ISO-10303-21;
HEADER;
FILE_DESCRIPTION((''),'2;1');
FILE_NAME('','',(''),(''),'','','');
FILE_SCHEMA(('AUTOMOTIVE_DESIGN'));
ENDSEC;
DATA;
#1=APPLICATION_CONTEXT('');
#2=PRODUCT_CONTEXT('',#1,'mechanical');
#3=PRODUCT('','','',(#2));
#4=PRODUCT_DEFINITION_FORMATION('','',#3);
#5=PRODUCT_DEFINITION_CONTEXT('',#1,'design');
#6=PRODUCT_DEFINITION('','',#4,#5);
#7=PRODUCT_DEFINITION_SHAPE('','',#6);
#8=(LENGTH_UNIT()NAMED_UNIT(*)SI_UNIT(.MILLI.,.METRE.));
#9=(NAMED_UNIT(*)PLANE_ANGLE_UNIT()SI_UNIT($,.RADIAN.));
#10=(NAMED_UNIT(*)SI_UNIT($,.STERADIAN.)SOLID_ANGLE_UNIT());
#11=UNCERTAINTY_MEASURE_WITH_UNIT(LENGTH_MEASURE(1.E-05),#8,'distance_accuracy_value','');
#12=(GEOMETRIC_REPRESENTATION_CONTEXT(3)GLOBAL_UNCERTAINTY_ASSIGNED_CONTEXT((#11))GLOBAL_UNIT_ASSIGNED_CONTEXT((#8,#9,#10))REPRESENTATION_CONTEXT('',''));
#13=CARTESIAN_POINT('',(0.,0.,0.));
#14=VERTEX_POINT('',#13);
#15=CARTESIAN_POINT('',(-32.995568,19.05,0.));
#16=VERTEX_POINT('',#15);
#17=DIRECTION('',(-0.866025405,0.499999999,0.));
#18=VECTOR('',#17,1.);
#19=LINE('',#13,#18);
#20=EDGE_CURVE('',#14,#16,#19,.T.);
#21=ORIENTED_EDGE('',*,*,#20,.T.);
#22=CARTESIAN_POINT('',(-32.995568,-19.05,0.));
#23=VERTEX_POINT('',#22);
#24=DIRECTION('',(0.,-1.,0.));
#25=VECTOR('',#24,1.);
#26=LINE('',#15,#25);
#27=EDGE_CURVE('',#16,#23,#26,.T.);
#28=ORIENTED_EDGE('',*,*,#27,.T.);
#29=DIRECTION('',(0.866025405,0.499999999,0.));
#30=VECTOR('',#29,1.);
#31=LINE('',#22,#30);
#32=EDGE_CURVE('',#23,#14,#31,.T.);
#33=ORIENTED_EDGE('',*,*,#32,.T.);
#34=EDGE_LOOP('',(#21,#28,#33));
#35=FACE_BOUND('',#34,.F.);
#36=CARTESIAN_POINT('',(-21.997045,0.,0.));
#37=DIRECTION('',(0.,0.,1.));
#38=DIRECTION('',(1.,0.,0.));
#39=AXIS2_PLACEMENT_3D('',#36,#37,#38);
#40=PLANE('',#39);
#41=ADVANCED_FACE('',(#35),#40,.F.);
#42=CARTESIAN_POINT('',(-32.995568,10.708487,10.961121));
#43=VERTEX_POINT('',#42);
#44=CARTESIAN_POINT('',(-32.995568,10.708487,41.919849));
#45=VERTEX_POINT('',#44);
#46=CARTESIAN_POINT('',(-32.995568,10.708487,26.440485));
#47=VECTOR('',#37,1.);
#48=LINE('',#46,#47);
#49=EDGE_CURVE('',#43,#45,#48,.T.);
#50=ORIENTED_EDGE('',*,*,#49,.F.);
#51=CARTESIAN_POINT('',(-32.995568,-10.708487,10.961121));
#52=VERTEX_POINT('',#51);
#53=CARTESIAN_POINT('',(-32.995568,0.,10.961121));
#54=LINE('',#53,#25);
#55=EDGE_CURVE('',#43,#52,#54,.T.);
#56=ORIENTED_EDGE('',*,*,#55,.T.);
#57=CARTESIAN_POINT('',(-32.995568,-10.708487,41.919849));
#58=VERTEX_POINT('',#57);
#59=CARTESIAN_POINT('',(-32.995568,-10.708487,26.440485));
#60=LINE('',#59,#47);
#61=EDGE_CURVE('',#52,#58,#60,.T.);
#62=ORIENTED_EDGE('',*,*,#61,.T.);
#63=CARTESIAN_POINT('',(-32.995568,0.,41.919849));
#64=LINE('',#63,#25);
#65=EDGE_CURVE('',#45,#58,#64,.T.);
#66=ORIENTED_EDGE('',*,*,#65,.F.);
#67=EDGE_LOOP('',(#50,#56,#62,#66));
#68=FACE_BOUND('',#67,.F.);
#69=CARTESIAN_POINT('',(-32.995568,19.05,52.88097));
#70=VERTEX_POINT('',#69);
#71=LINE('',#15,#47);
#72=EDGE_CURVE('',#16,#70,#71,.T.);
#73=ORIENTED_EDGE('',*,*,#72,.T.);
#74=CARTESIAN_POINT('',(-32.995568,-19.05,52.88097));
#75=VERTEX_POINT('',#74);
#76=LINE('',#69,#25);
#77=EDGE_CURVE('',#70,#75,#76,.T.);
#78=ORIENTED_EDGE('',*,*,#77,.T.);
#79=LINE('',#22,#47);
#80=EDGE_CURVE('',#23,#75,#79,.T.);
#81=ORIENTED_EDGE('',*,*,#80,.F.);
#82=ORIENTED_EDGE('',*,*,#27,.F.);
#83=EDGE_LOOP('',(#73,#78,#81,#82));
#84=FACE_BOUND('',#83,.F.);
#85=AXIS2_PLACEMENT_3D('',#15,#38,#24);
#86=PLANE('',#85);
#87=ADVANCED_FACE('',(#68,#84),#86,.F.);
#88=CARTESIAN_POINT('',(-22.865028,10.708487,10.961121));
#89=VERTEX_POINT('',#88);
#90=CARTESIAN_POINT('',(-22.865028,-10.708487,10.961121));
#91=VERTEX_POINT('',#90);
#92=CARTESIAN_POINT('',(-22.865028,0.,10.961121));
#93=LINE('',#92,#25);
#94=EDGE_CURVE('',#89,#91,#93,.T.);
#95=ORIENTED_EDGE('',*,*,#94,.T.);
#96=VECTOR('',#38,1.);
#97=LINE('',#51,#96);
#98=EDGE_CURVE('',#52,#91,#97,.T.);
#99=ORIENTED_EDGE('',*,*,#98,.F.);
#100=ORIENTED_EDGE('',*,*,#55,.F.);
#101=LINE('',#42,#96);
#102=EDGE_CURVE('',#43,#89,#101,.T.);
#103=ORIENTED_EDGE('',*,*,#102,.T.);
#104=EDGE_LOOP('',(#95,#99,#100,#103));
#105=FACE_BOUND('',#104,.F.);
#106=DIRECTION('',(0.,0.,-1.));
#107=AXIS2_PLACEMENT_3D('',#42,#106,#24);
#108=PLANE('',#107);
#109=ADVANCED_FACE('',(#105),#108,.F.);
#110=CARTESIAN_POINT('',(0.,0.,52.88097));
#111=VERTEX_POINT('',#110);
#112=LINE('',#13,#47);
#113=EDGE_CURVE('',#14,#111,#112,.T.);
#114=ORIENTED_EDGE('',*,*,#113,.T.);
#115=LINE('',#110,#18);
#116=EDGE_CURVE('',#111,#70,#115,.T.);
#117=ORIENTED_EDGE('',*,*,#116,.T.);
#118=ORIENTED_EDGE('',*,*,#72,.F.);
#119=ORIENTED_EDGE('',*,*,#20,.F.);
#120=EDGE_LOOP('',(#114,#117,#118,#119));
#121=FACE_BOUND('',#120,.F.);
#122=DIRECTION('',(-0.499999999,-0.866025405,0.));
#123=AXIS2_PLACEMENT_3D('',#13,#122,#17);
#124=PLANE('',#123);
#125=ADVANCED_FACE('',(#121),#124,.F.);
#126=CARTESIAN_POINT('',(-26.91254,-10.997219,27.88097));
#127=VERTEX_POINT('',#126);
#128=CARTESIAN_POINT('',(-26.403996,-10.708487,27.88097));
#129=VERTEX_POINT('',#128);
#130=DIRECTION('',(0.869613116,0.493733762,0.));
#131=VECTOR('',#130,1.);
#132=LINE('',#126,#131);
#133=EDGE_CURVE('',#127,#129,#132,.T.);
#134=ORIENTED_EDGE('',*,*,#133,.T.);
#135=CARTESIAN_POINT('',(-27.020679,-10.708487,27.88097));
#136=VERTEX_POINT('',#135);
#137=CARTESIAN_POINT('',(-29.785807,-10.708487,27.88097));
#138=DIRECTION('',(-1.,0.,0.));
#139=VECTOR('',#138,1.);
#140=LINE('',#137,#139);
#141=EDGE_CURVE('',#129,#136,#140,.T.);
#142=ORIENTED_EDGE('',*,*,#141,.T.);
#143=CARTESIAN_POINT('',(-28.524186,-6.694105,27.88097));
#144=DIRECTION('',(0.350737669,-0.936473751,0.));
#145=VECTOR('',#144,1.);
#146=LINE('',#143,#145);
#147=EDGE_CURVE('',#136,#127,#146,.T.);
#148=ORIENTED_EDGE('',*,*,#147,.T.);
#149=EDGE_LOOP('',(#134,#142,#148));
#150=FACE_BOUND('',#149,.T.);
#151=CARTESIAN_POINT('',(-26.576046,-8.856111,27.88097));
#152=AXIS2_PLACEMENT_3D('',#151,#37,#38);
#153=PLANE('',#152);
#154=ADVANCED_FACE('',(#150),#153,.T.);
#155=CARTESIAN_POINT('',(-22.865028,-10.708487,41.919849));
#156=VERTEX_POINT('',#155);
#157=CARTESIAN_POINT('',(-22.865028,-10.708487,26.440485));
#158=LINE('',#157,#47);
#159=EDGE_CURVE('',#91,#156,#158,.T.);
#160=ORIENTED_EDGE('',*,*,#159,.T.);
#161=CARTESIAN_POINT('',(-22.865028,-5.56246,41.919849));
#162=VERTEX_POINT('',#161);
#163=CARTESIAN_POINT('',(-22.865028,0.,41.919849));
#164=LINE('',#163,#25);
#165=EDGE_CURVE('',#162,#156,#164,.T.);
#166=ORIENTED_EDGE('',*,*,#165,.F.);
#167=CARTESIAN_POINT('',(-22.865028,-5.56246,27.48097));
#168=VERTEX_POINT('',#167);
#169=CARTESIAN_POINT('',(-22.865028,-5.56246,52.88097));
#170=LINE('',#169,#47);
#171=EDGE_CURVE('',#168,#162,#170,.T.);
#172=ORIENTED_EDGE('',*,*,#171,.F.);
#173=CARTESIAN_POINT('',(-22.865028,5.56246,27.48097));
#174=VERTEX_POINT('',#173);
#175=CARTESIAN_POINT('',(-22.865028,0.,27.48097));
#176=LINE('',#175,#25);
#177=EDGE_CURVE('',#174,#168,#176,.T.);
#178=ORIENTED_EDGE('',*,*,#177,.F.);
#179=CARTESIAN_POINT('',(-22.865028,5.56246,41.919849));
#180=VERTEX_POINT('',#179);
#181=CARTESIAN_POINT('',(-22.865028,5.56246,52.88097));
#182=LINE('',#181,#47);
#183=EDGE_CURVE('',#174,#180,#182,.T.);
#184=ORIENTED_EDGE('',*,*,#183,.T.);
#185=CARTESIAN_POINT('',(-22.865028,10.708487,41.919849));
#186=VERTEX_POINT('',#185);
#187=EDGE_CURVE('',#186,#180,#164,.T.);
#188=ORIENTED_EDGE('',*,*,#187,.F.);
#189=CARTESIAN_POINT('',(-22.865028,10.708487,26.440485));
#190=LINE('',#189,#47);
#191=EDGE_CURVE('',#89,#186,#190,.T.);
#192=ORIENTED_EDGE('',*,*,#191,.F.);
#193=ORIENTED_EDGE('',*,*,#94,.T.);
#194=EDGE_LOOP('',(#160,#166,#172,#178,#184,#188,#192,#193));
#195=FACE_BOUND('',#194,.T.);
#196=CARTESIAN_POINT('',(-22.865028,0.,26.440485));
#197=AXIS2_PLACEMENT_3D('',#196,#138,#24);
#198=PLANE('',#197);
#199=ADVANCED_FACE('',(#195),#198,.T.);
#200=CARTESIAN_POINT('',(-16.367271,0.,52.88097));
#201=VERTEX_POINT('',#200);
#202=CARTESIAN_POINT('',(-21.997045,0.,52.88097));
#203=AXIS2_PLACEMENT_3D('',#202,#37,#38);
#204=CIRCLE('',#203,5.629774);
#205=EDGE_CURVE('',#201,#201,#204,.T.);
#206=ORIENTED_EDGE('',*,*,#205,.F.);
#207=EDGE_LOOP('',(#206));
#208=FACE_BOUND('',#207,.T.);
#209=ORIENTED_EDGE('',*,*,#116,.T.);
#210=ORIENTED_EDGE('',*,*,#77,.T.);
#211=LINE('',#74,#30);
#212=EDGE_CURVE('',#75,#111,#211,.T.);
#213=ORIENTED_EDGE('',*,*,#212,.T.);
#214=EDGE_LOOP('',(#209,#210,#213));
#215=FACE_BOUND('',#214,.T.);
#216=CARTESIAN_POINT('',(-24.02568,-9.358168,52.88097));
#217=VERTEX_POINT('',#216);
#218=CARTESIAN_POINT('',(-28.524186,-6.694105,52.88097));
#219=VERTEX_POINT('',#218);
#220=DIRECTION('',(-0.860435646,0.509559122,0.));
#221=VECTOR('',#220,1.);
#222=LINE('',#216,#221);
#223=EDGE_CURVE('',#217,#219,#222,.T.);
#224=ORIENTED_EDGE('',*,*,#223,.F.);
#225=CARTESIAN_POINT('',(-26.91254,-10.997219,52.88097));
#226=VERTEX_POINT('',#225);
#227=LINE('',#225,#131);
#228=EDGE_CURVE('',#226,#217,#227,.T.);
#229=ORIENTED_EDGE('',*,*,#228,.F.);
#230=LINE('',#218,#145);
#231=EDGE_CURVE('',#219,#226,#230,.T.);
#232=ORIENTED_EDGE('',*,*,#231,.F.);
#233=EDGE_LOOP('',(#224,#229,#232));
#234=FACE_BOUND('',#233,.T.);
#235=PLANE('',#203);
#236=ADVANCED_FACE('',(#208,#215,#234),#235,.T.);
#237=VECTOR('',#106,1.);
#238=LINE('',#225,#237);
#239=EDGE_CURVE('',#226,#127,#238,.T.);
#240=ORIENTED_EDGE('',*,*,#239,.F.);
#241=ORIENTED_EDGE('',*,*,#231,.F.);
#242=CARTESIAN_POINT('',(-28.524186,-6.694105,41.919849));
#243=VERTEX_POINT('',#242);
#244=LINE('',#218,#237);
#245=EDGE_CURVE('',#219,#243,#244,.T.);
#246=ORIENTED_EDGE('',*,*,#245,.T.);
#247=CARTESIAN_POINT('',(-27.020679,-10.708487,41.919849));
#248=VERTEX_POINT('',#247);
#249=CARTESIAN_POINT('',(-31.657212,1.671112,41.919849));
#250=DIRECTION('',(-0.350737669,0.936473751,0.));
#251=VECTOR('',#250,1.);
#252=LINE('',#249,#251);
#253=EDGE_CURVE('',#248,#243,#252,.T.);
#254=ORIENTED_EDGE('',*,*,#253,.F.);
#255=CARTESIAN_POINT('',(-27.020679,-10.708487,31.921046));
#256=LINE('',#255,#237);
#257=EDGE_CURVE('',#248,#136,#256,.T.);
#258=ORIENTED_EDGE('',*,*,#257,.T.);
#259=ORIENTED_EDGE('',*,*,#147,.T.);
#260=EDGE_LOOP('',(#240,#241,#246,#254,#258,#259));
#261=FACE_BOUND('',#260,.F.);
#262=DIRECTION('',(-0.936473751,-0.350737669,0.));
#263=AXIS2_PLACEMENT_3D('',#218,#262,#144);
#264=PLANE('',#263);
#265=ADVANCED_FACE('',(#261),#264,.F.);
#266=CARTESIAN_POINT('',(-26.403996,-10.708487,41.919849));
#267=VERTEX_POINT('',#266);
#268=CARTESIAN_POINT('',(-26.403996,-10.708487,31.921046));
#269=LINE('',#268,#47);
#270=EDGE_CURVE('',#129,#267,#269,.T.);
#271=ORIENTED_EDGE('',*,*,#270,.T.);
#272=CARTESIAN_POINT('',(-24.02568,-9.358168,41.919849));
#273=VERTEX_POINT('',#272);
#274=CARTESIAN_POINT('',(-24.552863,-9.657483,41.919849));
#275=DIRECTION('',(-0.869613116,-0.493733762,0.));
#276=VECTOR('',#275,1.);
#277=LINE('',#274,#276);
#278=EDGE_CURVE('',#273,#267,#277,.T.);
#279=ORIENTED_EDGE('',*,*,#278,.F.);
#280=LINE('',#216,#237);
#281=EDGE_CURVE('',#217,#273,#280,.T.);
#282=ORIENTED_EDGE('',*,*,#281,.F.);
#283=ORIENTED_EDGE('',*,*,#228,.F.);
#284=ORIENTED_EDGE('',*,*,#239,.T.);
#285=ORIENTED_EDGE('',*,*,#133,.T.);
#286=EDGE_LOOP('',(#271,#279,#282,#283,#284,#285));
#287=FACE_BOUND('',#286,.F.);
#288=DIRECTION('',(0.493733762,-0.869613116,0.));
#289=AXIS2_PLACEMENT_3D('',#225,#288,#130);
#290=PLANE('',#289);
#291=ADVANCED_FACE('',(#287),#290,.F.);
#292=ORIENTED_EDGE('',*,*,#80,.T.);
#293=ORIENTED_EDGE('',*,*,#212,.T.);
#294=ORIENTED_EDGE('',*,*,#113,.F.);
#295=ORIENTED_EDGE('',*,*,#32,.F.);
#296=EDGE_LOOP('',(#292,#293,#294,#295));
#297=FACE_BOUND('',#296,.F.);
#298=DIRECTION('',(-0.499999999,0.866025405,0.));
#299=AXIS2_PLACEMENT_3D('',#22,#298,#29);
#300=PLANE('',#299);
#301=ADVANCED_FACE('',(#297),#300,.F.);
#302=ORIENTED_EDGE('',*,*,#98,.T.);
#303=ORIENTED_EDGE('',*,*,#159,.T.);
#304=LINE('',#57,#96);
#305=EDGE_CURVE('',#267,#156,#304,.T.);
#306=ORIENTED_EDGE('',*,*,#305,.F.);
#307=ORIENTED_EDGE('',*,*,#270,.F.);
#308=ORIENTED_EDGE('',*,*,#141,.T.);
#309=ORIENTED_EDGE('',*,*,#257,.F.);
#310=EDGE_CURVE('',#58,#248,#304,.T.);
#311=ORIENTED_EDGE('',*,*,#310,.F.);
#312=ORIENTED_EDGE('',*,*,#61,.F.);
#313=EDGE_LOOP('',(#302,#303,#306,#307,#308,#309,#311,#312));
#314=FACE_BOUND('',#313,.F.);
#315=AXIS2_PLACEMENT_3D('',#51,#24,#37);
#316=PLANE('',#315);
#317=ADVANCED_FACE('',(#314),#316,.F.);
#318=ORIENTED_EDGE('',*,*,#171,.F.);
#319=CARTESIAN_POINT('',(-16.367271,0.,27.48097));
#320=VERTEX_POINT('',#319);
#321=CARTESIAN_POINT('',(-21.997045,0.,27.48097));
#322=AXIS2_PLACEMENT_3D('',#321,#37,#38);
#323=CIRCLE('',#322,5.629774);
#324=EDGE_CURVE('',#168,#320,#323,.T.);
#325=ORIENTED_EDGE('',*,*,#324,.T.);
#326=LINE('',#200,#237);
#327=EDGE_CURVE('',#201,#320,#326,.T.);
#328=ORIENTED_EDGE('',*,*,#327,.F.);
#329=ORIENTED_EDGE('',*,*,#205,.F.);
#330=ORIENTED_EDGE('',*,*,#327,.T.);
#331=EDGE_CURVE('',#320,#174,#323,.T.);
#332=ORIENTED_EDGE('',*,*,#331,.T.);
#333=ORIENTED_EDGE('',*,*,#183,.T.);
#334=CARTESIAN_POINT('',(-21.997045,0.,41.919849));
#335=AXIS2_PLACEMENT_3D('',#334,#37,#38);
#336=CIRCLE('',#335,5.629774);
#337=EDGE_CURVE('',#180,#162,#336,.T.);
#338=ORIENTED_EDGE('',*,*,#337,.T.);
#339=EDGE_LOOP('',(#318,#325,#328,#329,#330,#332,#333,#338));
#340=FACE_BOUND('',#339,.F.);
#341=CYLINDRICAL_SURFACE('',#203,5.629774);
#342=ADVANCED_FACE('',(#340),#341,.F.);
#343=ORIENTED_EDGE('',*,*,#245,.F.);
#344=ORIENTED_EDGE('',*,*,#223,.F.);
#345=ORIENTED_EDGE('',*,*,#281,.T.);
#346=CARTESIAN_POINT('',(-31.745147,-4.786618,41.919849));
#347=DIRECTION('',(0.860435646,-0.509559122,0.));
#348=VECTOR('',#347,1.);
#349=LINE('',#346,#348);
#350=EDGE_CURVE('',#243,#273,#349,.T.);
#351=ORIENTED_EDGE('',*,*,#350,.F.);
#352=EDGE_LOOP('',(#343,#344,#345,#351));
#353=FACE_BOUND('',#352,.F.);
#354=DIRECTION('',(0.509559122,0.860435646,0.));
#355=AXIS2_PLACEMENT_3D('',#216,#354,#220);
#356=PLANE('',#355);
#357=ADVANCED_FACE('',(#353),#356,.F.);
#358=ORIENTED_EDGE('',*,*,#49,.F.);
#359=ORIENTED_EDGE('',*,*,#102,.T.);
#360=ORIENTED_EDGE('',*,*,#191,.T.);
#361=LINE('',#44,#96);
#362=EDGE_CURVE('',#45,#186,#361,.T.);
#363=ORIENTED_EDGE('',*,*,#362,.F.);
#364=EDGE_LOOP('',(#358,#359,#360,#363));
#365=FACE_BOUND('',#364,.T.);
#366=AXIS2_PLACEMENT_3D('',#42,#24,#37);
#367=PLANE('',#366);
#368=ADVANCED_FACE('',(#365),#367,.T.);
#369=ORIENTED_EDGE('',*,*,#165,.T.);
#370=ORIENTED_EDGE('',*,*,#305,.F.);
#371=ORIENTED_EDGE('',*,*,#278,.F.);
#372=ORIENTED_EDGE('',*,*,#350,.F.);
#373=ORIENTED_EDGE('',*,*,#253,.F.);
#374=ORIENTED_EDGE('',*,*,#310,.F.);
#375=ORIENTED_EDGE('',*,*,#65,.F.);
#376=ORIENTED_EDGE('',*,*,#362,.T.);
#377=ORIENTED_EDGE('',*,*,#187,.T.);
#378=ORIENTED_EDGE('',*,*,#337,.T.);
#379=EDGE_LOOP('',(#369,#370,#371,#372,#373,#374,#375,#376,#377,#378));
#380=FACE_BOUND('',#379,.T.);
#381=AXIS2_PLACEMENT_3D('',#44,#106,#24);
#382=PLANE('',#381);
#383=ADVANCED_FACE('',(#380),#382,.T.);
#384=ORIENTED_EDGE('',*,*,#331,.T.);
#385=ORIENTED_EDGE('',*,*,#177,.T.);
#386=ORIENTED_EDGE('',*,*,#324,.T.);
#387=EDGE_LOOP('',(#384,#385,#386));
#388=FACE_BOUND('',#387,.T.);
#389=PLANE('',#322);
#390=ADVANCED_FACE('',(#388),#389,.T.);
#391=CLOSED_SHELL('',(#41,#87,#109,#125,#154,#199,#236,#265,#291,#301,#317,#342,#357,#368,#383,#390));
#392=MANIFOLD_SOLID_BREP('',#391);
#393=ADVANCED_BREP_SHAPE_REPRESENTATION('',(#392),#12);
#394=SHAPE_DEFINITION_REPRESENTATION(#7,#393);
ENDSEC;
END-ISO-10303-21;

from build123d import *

# Parameters (mm, degrees)
F1_DEPTH = 52.88097
F2_R     = 5.629774
F3_DEPTH = 25.4
F4_W     = 21.416974
F4_H     = 30.958728
F5_DEPTH = 10.13054
F7_DEPTH = 25


with BuildPart() as f1:
    # F0 (on Top) → F1 (new body)
    with BuildSketch(Plane.XY):
        Polygon((-32.995568, -19.05), (0, 0), (-32.995568, 19.05), align=None)
    extrude(amount=F1_DEPTH)

    # F2 (on face) → F3 (cut)
    with BuildSketch(Plane.XY.offset(52.88097)):
        with Locations((-21.997045, 0)):
            Circle(F2_R)
    extrude(amount=-F3_DEPTH, mode=Mode.SUBTRACT)

    # F4 (on face) → F5 (cut)
    with BuildSketch(Plane(origin=(-32.995568, 0, 0), x_dir=(0, -1, 0), z_dir=(-1, 0, 0))):
        with Locations((0, 26.440485)):
            Rectangle(F4_W, F4_H)
    extrude(amount=-F5_DEPTH, mode=Mode.SUBTRACT)

    # F6 (on face) → F7 (cut)
    with BuildSketch(Plane.XY.offset(52.88097)):
        Polygon((-24.02568, -9.358168), (-28.524186, -6.694105), (-26.91254, -10.997219), align=None)
    extrude(amount=-F7_DEPTH, mode=Mode.SUBTRACT)


solid = f1.part
